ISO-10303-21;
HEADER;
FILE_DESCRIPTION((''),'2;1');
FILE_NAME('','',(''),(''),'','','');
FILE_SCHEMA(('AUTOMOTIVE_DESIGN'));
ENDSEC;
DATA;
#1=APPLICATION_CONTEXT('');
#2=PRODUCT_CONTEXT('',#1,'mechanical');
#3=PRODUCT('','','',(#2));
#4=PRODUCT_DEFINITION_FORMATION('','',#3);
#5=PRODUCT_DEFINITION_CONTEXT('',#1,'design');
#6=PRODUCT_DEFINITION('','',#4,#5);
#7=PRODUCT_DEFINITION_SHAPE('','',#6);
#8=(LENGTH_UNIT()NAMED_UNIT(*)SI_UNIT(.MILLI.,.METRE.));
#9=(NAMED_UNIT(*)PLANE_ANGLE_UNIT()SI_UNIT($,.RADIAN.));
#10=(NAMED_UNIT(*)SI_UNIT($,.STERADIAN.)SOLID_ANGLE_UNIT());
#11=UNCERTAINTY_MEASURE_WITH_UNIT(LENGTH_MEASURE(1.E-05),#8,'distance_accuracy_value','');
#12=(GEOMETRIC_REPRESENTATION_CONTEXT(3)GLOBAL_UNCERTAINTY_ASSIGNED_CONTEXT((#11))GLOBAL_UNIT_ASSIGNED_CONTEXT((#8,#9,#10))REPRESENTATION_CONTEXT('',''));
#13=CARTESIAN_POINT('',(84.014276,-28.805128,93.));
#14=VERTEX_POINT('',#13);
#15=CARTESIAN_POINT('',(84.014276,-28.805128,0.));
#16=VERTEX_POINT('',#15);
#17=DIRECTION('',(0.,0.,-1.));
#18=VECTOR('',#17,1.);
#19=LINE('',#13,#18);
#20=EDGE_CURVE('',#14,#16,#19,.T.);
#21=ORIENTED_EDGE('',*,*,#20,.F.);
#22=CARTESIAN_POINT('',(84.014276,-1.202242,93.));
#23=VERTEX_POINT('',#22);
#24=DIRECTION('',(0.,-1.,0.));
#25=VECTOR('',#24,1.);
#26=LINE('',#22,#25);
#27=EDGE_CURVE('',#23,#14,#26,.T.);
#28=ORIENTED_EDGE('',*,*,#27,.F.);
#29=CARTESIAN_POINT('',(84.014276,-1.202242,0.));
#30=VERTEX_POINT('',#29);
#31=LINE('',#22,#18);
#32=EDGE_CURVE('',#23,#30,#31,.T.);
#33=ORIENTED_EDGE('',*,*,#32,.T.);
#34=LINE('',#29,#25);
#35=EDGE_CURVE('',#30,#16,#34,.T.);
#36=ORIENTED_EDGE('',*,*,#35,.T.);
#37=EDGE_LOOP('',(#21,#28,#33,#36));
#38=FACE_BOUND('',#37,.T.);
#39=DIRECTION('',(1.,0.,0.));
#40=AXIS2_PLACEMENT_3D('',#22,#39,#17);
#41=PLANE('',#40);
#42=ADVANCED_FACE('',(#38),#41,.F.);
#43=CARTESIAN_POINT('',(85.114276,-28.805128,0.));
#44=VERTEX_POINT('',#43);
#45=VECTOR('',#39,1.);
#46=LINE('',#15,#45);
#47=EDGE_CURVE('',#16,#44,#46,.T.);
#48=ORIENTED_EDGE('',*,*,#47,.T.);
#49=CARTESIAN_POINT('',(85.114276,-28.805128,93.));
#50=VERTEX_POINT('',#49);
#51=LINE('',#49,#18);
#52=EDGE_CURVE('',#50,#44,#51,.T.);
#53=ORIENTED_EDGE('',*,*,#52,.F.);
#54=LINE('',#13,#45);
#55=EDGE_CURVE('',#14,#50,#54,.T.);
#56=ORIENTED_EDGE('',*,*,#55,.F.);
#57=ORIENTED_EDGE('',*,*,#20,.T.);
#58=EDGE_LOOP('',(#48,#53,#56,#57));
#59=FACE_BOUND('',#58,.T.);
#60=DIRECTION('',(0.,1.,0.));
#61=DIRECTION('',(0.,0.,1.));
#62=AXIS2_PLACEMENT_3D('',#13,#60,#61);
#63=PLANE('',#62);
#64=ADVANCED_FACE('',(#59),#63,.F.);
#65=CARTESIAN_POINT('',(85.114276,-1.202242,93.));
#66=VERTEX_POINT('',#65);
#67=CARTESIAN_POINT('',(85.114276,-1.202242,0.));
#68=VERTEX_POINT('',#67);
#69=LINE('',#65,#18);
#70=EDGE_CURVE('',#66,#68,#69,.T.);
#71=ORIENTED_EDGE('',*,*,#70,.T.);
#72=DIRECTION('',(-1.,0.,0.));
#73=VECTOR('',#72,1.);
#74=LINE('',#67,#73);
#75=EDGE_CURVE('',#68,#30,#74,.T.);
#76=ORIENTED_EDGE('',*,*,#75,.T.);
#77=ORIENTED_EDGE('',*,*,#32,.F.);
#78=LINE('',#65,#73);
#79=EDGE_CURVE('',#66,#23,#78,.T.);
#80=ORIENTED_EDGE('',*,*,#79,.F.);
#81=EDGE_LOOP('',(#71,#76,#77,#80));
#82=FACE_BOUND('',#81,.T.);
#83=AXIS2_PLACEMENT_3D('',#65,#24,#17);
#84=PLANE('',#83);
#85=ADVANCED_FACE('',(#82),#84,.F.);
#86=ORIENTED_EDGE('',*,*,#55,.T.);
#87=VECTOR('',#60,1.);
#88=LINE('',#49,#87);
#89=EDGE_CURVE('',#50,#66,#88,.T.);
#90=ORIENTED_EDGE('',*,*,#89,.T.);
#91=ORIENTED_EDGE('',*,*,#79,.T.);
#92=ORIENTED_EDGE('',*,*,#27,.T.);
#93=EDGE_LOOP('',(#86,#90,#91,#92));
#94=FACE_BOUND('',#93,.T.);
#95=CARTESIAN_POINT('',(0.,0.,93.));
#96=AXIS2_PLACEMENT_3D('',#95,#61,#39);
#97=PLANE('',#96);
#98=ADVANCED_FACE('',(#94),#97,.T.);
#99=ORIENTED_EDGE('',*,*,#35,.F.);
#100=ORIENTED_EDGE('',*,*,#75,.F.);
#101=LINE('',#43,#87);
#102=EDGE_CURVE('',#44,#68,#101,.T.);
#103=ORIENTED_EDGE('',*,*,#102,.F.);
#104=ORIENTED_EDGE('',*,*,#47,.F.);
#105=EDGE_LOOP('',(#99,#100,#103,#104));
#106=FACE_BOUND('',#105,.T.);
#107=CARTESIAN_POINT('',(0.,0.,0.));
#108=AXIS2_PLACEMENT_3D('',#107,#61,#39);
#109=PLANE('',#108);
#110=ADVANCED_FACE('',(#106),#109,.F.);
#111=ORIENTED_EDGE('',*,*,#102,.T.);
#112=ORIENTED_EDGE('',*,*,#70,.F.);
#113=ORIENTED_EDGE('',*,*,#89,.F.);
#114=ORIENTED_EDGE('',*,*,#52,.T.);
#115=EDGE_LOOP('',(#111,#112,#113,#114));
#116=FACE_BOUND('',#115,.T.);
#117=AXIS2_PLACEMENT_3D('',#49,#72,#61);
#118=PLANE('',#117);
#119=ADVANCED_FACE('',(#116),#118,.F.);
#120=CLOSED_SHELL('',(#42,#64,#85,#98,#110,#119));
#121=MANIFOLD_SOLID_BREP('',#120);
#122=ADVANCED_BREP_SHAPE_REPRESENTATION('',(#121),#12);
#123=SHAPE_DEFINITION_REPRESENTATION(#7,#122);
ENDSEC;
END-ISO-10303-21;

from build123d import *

# Parameters (mm, degrees)
CROQUIS1_W              = 1.1
CROQUIS1_H              = 27.602886177
SALIENTE_EXTRUIR1_DEPTH = 93


with BuildPart() as part:
    # Croquis1 → Saliente-Extruir1 (new body)
    with BuildSketch(Plane.XY):
        with Locations((84.564275766, -15.003684891)):
            Rectangle(CROQUIS1_W, CROQUIS1_H)
    extrude(amount=SALIENTE_EXTRUIR1_DEPTH)


solid = part.part
